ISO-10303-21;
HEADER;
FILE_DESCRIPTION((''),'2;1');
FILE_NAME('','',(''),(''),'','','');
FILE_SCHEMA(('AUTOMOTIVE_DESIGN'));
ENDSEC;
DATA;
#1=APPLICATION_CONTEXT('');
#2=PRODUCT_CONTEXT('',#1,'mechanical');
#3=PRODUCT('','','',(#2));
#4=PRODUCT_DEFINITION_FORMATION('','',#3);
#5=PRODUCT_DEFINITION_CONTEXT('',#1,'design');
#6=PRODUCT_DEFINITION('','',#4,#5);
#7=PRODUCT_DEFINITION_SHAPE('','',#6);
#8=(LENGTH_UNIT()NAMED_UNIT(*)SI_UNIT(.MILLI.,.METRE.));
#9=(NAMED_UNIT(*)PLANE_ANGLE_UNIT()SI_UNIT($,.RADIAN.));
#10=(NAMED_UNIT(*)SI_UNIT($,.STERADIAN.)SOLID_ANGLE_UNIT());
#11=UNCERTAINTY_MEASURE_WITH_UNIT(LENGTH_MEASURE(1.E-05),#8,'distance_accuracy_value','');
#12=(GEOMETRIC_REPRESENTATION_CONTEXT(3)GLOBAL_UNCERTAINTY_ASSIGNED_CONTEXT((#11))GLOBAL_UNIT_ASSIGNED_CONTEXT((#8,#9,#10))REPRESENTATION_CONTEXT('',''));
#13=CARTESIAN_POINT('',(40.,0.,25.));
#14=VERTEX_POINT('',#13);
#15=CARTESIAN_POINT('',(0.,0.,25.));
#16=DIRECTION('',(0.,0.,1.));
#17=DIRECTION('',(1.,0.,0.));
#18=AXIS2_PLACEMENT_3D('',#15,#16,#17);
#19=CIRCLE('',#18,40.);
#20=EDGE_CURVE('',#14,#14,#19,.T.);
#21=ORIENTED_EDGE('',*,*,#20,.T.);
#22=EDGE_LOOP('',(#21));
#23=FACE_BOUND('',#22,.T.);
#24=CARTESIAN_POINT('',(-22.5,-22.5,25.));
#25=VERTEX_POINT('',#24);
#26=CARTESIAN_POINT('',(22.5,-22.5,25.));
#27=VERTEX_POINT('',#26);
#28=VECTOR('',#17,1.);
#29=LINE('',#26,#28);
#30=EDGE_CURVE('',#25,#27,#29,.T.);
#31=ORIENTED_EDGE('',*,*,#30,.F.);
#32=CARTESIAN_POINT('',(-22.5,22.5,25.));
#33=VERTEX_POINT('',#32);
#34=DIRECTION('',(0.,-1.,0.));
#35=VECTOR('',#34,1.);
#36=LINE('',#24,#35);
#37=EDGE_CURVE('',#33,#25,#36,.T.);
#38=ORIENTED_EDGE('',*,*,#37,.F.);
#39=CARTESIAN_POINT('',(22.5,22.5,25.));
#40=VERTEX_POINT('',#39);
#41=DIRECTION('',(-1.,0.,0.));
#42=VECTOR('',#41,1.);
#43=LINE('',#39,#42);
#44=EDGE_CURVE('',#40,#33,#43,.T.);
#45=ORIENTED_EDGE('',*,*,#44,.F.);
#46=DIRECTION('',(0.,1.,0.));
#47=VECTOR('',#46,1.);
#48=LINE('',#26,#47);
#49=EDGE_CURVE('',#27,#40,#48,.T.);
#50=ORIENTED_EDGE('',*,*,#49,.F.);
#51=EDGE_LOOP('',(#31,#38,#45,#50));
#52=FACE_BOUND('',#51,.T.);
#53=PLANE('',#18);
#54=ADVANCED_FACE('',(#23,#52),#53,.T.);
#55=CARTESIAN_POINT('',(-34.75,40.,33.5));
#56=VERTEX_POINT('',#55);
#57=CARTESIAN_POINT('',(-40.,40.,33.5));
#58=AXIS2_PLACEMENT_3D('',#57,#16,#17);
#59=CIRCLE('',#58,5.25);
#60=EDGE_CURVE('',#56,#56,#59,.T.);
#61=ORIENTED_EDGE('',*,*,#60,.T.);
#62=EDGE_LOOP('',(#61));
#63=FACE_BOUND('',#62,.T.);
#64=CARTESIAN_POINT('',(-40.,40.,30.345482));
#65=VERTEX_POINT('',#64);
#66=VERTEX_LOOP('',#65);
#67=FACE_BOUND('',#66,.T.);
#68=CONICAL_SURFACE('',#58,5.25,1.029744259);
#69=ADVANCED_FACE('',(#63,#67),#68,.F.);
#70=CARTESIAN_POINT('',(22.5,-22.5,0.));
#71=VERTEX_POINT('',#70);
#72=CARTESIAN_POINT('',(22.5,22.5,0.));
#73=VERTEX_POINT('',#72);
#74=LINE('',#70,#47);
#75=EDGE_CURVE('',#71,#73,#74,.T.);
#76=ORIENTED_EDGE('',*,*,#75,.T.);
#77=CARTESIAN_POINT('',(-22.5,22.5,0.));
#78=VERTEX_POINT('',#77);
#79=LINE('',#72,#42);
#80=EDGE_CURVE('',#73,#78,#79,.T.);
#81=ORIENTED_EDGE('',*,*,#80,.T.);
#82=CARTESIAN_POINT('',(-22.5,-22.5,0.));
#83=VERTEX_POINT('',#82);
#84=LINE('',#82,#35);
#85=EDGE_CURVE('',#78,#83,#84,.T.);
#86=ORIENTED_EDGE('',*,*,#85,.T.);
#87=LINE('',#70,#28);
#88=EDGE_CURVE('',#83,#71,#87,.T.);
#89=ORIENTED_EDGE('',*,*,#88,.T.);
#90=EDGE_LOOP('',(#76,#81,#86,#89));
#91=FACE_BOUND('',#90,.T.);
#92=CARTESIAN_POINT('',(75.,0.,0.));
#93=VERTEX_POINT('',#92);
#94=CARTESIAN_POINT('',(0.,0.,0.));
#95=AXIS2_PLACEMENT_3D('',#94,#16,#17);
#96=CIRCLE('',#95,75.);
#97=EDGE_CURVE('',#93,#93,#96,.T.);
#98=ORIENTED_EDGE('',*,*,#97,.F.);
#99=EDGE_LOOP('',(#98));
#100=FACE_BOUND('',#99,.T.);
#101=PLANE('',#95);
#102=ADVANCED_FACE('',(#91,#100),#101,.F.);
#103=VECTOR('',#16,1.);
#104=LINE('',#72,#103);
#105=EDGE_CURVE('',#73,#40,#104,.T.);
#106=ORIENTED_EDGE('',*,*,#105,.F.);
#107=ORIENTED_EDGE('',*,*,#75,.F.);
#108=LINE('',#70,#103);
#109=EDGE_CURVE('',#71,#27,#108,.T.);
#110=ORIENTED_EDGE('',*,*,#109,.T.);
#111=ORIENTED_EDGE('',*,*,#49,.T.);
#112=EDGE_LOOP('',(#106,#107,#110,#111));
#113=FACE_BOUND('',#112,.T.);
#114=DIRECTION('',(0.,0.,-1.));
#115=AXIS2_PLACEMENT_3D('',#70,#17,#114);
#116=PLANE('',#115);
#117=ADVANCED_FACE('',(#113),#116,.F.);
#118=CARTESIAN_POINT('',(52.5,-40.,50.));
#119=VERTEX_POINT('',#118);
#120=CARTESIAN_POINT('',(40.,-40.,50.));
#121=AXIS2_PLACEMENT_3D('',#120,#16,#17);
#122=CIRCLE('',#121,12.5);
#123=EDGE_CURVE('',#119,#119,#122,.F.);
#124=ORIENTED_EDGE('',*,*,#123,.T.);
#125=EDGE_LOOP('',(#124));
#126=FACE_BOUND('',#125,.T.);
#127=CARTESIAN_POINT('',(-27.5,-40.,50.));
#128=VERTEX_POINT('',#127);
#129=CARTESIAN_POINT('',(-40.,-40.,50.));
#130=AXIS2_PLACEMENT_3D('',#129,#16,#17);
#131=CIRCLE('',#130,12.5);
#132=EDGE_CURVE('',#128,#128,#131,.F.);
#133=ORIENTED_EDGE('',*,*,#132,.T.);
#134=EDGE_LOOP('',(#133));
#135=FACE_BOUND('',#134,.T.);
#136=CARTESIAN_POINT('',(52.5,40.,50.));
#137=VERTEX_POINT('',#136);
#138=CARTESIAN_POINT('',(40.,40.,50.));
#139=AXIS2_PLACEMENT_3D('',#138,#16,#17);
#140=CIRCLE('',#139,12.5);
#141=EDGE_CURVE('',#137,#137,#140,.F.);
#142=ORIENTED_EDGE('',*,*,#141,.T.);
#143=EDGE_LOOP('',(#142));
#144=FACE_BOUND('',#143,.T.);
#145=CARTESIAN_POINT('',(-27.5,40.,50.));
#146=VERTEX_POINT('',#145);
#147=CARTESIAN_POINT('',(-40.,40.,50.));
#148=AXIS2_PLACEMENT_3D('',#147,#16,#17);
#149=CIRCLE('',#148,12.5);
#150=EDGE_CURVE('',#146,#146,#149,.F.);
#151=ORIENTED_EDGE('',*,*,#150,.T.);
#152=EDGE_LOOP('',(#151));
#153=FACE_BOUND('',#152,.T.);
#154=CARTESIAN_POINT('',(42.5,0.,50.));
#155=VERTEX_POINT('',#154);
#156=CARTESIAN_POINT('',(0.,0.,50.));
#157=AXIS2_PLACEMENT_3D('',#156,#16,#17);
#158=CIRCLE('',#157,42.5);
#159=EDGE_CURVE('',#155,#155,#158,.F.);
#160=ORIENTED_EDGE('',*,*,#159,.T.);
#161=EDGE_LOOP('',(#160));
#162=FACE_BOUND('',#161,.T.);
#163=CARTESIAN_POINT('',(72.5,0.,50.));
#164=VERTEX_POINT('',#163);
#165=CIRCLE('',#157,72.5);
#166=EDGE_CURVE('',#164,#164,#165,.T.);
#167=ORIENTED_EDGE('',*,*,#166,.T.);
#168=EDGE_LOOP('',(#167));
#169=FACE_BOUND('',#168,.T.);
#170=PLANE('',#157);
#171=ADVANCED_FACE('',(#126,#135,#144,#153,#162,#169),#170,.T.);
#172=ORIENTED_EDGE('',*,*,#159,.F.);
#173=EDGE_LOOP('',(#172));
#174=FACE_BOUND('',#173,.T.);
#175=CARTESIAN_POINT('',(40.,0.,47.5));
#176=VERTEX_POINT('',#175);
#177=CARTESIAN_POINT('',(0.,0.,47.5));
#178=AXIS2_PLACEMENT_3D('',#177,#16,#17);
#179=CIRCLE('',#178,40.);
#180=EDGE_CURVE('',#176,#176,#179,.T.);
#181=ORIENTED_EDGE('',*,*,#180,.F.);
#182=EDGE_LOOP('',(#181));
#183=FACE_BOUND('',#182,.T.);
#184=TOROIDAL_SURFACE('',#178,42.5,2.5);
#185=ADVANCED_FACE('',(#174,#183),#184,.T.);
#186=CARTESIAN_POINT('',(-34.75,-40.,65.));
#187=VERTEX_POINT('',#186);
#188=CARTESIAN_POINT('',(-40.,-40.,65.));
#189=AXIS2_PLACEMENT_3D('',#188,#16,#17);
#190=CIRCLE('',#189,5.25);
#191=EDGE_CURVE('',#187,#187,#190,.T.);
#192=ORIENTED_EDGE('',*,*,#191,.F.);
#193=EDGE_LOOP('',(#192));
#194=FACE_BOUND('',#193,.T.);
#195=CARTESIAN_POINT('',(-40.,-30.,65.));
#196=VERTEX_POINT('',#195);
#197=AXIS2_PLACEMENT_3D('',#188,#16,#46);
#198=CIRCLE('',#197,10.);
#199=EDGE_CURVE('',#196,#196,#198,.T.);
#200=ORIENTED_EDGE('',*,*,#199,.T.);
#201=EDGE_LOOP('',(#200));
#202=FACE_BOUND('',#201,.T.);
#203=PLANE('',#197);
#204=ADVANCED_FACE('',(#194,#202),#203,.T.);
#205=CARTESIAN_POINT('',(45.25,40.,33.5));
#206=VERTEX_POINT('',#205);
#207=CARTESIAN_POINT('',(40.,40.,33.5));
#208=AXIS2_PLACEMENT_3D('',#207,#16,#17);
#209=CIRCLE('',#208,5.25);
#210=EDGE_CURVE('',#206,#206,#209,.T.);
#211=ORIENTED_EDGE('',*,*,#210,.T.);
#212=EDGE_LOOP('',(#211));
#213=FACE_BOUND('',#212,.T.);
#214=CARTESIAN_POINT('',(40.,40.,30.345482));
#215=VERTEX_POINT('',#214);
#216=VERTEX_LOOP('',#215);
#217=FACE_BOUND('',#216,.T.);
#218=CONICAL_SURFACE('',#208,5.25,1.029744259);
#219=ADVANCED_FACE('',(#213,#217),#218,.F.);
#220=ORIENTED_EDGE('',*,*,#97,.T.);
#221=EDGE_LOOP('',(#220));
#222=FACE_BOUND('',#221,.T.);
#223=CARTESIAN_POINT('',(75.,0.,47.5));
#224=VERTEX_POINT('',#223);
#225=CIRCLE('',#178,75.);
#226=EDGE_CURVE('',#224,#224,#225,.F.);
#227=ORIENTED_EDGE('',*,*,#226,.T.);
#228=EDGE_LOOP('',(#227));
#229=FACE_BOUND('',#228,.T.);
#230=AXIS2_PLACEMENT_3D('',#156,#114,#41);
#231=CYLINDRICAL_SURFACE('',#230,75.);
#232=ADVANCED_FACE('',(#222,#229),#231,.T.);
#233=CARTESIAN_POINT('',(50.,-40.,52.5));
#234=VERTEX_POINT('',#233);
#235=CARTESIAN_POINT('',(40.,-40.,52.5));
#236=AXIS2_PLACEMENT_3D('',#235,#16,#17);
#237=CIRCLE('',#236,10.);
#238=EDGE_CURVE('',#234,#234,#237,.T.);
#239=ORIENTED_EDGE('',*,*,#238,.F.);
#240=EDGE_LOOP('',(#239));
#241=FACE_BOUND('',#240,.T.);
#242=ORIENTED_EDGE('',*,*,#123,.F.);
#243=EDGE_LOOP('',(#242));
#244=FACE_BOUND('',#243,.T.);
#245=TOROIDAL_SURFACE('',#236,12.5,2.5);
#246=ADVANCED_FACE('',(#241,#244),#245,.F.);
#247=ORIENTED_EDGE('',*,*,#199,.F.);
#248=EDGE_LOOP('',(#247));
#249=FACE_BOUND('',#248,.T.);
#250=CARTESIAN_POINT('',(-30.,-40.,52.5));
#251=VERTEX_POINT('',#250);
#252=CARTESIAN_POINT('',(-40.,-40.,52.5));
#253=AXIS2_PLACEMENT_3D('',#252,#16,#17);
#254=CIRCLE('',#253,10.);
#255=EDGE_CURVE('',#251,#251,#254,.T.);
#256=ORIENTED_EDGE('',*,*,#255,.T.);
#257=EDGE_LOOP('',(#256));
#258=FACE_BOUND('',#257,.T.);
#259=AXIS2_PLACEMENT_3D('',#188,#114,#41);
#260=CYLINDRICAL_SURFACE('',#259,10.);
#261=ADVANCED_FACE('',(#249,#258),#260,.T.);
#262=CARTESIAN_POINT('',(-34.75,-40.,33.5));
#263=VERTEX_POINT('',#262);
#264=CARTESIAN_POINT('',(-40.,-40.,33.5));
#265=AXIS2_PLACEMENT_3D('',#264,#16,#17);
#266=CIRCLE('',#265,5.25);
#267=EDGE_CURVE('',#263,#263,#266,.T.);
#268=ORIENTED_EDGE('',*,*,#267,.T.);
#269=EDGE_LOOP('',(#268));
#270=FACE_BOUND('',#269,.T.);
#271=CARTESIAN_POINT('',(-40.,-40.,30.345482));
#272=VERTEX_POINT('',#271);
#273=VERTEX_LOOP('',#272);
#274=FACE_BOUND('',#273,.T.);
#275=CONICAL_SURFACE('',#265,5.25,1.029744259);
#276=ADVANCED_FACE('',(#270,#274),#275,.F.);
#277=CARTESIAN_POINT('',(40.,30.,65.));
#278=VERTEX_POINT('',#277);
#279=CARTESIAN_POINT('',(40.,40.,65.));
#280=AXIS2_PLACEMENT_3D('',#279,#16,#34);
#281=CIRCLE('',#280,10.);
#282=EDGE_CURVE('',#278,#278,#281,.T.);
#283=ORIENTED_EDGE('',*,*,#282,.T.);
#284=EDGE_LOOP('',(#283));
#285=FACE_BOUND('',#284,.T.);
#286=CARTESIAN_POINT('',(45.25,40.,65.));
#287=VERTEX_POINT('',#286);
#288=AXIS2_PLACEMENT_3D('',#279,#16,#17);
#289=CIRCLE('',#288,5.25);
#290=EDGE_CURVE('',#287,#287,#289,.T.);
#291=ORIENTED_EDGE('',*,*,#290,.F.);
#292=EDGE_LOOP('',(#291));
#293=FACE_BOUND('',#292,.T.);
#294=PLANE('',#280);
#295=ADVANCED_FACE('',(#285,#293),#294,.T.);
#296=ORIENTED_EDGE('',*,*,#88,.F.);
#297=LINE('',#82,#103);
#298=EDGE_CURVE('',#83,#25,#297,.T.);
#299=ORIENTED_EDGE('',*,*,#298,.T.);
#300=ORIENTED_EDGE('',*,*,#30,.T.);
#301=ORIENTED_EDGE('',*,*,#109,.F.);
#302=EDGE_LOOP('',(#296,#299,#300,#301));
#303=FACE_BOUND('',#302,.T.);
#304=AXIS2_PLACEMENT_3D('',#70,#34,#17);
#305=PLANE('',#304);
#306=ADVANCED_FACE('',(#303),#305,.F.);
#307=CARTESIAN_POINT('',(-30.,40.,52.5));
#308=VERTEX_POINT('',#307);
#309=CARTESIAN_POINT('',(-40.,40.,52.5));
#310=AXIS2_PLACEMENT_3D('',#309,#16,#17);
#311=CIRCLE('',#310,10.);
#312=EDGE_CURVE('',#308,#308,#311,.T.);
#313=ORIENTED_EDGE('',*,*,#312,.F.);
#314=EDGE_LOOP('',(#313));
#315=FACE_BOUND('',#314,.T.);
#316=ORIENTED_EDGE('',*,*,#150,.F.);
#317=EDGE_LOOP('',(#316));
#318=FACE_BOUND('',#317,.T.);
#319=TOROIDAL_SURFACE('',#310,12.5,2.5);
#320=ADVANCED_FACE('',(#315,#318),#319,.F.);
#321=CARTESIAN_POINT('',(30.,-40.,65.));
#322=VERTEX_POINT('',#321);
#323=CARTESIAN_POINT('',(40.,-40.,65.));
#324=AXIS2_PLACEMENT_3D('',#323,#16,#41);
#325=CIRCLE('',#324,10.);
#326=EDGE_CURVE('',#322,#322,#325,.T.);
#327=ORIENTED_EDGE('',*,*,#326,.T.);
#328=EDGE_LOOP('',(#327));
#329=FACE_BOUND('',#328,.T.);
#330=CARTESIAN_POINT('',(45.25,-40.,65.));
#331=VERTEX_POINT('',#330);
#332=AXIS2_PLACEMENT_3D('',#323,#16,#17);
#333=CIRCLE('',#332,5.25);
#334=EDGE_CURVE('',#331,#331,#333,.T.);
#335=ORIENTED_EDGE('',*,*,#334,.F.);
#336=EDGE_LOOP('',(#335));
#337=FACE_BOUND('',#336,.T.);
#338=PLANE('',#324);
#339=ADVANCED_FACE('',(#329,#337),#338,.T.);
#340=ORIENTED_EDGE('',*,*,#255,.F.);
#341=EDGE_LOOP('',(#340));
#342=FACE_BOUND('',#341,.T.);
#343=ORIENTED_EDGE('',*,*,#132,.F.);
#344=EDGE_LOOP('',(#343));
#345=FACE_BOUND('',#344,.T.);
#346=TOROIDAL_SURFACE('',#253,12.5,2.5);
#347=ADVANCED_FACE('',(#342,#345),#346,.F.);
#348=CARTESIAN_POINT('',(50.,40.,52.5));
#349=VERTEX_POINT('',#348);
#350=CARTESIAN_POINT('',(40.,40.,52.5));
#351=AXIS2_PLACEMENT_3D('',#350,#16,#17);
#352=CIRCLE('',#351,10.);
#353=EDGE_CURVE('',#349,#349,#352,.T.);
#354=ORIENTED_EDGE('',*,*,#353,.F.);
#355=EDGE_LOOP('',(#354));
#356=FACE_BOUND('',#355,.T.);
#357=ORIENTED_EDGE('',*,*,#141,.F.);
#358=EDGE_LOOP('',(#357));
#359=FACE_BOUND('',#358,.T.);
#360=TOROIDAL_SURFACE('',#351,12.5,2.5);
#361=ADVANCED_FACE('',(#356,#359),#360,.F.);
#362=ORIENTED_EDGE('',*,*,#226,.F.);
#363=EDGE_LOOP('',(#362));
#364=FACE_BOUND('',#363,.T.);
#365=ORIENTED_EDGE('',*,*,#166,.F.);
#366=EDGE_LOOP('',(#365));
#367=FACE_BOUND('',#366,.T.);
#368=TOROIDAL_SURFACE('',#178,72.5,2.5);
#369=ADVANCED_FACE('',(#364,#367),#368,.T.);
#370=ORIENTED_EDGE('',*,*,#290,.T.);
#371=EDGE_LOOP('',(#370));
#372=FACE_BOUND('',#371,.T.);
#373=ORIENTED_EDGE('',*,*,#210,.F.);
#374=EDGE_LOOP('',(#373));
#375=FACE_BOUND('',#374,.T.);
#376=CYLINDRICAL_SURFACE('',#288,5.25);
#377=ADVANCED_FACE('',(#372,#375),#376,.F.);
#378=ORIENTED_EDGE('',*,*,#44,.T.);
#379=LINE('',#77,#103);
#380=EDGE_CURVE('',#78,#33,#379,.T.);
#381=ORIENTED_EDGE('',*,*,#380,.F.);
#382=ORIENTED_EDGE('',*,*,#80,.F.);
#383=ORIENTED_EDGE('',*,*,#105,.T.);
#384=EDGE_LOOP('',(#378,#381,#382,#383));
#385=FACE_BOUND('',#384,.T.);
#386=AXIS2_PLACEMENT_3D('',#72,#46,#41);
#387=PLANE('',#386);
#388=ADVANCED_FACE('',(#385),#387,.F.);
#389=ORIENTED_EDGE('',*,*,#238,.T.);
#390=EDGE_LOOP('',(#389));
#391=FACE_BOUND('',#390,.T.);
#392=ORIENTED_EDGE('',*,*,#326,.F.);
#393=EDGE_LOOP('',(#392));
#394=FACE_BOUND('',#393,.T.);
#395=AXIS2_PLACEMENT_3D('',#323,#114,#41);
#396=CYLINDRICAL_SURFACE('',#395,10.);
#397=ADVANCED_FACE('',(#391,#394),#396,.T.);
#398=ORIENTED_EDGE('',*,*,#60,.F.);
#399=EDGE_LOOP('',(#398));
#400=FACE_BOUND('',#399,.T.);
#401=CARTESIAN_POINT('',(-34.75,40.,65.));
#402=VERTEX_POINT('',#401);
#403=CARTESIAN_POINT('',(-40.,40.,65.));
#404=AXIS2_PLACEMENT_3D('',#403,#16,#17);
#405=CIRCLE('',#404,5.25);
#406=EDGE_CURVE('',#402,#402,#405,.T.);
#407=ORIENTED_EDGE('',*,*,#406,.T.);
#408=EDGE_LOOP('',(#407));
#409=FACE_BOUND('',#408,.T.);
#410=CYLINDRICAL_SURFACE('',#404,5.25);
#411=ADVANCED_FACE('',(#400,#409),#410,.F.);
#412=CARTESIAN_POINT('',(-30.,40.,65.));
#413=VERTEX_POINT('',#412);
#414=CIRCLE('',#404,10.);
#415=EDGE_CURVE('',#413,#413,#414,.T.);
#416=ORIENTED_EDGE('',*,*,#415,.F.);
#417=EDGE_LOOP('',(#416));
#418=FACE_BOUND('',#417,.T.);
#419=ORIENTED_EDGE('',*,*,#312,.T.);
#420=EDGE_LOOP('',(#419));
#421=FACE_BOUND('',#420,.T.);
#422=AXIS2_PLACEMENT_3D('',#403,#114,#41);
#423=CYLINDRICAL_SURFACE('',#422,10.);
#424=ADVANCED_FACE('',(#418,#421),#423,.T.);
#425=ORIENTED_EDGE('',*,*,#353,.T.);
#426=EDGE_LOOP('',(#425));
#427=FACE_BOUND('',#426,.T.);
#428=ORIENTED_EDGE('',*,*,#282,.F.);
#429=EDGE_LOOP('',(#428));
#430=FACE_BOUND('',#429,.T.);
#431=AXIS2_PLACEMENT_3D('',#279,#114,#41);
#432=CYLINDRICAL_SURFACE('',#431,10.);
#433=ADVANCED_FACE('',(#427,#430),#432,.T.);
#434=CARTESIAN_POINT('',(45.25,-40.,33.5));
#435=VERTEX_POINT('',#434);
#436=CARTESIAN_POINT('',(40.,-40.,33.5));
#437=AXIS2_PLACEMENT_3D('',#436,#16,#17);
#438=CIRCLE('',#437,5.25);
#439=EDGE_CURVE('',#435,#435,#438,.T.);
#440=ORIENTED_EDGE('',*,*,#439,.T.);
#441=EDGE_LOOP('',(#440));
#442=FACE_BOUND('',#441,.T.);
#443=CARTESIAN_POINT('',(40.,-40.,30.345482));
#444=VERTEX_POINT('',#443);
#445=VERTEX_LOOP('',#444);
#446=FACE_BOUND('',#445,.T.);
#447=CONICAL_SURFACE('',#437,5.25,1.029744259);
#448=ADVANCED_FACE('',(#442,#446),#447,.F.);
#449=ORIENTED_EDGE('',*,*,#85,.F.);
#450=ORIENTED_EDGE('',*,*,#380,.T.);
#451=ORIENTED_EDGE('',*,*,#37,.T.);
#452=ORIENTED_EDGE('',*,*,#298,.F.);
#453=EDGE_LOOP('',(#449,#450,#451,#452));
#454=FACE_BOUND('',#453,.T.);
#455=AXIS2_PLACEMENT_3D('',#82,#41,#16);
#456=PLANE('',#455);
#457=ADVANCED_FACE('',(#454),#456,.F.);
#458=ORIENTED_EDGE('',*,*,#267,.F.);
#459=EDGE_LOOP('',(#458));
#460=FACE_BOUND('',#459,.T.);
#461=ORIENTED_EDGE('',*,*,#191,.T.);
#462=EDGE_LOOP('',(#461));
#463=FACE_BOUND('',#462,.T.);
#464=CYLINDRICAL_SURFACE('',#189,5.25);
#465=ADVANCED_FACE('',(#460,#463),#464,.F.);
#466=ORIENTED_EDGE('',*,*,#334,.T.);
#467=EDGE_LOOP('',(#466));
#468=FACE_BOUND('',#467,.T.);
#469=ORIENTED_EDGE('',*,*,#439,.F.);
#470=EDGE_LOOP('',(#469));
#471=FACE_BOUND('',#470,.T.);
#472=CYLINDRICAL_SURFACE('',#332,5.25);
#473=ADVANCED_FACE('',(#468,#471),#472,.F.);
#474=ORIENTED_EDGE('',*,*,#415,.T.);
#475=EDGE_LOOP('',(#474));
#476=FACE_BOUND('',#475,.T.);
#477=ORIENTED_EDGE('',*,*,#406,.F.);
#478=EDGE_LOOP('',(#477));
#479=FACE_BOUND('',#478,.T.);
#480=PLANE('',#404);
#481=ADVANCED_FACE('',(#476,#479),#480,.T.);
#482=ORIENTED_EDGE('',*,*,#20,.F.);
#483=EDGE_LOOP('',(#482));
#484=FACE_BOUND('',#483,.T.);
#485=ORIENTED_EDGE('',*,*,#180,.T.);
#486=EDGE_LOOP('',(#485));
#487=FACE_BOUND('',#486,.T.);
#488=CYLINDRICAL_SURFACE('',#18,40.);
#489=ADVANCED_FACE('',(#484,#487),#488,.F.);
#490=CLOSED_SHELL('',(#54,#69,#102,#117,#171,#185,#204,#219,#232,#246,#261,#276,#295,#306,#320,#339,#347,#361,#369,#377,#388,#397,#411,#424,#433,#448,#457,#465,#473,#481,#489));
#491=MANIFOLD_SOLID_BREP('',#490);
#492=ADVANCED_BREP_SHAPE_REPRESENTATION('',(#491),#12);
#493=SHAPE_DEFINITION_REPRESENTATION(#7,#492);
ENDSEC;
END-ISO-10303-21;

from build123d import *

# Parameters (mm, degrees)
SKETCH2_R                = 75
BASE_EXTRUDE_DEPTH       = 50
SKETCH3_R                = 40
CIRCULAR_CUT_DEPTH       = 25
SKETCH5_W                = 45
SKETCH5_H                = 45
SQUARE_CUT_DEPTH         = 109.972473589
SKETCH6_R                = 10
CIRCULAR_TOWER_DEPTH     = 15
FILLET_1_R               = 2.5
CIRPATTERN_COUNT         = 4
FILLET_1_OF_CIRPATTERN_R = 2.5
FILLET_2_R               = 2.5


with BuildPart() as part:
    # Sketch2 → Base Extrude (new body)
    with BuildSketch(Plane.XY):
        Circle(SKETCH2_R)
    extrude(amount=BASE_EXTRUDE_DEPTH)

    # Sketch3 → Circular Cut (cut)
    with BuildSketch(Plane.XY.offset(50)):
        Circle(SKETCH3_R)
    extrude(amount=-CIRCULAR_CUT_DEPTH, mode=Mode.SUBTRACT)

    # Sketch5 → Square Cut (cut, through all)
    with BuildSketch(Plane.XY.offset(25)):
        Rectangle(SKETCH5_W, SKETCH5_H)
    extrude(amount=-SQUARE_CUT_DEPTH, mode=Mode.SUBTRACT)

    # Sketch6 → Circular Tower (add)
    with BuildSketch(Plane.XY.offset(50)):
        with Locations((-40, 40)):
            Circle(SKETCH6_R)
    circular_tower = extrude(amount=CIRCULAR_TOWER_DEPTH)

    # Fillet 1
    fillet_1_edges = [part.edges().sort_by_distance(p)[0] for p in [
        (-50, 40, 50),
    ]]
    fillet(fillet_1_edges, radius=FILLET_1_R)

    # Sketch8 → M12x1.5 Tapped Hole (revolve, cut)
    with BuildSketch(Plane(origin=(-40, 40, 65), x_dir=(0, -1, 0), z_dir=(1, 0, 0))):
        Polygon((0, 0), (0, 34.65451825), (5.25, 31.5), (5.25, 0), align=None)
    m12x1_5_tapped_hole = revolve(axis=Axis((-40, 40, 71.35), (0, 0, -1)), mode=Mode.SUBTRACT)

    # CirPattern: Circular Tower, M12x1.5 Tapped Hole ×4 about axis
    cirpattern_axis = Axis((0, 0, 0), (0, 0, 1))
    add([circular_tower.rotate(cirpattern_axis, i * 360 / CIRPATTERN_COUNT) for i in range(1, CIRPATTERN_COUNT)])
    add([m12x1_5_tapped_hole.rotate(cirpattern_axis, i * 360 / CIRPATTERN_COUNT) for i in range(1, CIRPATTERN_COUNT)], mode=Mode.SUBTRACT)

    # Fillet 1 of CirPattern
    fillet_1_of_cirpattern_edges = [part.edges().sort_by_distance(p)[0] for p in [
        (-40, -50, 50),
        (50, -40, 50),
        (40, 50, 50),
    ]]
    fillet(fillet_1_of_cirpattern_edges, radius=FILLET_1_OF_CIRPATTERN_R)

    # Fillet 2
    fillet_2_edges = [part.edges().sort_by_distance(p)[0] for p in [
        (-75, 0, 50),
        (-40, 0, 50),
    ]]
    fillet(fillet_2_edges, radius=FILLET_2_R)


solid = part.part
